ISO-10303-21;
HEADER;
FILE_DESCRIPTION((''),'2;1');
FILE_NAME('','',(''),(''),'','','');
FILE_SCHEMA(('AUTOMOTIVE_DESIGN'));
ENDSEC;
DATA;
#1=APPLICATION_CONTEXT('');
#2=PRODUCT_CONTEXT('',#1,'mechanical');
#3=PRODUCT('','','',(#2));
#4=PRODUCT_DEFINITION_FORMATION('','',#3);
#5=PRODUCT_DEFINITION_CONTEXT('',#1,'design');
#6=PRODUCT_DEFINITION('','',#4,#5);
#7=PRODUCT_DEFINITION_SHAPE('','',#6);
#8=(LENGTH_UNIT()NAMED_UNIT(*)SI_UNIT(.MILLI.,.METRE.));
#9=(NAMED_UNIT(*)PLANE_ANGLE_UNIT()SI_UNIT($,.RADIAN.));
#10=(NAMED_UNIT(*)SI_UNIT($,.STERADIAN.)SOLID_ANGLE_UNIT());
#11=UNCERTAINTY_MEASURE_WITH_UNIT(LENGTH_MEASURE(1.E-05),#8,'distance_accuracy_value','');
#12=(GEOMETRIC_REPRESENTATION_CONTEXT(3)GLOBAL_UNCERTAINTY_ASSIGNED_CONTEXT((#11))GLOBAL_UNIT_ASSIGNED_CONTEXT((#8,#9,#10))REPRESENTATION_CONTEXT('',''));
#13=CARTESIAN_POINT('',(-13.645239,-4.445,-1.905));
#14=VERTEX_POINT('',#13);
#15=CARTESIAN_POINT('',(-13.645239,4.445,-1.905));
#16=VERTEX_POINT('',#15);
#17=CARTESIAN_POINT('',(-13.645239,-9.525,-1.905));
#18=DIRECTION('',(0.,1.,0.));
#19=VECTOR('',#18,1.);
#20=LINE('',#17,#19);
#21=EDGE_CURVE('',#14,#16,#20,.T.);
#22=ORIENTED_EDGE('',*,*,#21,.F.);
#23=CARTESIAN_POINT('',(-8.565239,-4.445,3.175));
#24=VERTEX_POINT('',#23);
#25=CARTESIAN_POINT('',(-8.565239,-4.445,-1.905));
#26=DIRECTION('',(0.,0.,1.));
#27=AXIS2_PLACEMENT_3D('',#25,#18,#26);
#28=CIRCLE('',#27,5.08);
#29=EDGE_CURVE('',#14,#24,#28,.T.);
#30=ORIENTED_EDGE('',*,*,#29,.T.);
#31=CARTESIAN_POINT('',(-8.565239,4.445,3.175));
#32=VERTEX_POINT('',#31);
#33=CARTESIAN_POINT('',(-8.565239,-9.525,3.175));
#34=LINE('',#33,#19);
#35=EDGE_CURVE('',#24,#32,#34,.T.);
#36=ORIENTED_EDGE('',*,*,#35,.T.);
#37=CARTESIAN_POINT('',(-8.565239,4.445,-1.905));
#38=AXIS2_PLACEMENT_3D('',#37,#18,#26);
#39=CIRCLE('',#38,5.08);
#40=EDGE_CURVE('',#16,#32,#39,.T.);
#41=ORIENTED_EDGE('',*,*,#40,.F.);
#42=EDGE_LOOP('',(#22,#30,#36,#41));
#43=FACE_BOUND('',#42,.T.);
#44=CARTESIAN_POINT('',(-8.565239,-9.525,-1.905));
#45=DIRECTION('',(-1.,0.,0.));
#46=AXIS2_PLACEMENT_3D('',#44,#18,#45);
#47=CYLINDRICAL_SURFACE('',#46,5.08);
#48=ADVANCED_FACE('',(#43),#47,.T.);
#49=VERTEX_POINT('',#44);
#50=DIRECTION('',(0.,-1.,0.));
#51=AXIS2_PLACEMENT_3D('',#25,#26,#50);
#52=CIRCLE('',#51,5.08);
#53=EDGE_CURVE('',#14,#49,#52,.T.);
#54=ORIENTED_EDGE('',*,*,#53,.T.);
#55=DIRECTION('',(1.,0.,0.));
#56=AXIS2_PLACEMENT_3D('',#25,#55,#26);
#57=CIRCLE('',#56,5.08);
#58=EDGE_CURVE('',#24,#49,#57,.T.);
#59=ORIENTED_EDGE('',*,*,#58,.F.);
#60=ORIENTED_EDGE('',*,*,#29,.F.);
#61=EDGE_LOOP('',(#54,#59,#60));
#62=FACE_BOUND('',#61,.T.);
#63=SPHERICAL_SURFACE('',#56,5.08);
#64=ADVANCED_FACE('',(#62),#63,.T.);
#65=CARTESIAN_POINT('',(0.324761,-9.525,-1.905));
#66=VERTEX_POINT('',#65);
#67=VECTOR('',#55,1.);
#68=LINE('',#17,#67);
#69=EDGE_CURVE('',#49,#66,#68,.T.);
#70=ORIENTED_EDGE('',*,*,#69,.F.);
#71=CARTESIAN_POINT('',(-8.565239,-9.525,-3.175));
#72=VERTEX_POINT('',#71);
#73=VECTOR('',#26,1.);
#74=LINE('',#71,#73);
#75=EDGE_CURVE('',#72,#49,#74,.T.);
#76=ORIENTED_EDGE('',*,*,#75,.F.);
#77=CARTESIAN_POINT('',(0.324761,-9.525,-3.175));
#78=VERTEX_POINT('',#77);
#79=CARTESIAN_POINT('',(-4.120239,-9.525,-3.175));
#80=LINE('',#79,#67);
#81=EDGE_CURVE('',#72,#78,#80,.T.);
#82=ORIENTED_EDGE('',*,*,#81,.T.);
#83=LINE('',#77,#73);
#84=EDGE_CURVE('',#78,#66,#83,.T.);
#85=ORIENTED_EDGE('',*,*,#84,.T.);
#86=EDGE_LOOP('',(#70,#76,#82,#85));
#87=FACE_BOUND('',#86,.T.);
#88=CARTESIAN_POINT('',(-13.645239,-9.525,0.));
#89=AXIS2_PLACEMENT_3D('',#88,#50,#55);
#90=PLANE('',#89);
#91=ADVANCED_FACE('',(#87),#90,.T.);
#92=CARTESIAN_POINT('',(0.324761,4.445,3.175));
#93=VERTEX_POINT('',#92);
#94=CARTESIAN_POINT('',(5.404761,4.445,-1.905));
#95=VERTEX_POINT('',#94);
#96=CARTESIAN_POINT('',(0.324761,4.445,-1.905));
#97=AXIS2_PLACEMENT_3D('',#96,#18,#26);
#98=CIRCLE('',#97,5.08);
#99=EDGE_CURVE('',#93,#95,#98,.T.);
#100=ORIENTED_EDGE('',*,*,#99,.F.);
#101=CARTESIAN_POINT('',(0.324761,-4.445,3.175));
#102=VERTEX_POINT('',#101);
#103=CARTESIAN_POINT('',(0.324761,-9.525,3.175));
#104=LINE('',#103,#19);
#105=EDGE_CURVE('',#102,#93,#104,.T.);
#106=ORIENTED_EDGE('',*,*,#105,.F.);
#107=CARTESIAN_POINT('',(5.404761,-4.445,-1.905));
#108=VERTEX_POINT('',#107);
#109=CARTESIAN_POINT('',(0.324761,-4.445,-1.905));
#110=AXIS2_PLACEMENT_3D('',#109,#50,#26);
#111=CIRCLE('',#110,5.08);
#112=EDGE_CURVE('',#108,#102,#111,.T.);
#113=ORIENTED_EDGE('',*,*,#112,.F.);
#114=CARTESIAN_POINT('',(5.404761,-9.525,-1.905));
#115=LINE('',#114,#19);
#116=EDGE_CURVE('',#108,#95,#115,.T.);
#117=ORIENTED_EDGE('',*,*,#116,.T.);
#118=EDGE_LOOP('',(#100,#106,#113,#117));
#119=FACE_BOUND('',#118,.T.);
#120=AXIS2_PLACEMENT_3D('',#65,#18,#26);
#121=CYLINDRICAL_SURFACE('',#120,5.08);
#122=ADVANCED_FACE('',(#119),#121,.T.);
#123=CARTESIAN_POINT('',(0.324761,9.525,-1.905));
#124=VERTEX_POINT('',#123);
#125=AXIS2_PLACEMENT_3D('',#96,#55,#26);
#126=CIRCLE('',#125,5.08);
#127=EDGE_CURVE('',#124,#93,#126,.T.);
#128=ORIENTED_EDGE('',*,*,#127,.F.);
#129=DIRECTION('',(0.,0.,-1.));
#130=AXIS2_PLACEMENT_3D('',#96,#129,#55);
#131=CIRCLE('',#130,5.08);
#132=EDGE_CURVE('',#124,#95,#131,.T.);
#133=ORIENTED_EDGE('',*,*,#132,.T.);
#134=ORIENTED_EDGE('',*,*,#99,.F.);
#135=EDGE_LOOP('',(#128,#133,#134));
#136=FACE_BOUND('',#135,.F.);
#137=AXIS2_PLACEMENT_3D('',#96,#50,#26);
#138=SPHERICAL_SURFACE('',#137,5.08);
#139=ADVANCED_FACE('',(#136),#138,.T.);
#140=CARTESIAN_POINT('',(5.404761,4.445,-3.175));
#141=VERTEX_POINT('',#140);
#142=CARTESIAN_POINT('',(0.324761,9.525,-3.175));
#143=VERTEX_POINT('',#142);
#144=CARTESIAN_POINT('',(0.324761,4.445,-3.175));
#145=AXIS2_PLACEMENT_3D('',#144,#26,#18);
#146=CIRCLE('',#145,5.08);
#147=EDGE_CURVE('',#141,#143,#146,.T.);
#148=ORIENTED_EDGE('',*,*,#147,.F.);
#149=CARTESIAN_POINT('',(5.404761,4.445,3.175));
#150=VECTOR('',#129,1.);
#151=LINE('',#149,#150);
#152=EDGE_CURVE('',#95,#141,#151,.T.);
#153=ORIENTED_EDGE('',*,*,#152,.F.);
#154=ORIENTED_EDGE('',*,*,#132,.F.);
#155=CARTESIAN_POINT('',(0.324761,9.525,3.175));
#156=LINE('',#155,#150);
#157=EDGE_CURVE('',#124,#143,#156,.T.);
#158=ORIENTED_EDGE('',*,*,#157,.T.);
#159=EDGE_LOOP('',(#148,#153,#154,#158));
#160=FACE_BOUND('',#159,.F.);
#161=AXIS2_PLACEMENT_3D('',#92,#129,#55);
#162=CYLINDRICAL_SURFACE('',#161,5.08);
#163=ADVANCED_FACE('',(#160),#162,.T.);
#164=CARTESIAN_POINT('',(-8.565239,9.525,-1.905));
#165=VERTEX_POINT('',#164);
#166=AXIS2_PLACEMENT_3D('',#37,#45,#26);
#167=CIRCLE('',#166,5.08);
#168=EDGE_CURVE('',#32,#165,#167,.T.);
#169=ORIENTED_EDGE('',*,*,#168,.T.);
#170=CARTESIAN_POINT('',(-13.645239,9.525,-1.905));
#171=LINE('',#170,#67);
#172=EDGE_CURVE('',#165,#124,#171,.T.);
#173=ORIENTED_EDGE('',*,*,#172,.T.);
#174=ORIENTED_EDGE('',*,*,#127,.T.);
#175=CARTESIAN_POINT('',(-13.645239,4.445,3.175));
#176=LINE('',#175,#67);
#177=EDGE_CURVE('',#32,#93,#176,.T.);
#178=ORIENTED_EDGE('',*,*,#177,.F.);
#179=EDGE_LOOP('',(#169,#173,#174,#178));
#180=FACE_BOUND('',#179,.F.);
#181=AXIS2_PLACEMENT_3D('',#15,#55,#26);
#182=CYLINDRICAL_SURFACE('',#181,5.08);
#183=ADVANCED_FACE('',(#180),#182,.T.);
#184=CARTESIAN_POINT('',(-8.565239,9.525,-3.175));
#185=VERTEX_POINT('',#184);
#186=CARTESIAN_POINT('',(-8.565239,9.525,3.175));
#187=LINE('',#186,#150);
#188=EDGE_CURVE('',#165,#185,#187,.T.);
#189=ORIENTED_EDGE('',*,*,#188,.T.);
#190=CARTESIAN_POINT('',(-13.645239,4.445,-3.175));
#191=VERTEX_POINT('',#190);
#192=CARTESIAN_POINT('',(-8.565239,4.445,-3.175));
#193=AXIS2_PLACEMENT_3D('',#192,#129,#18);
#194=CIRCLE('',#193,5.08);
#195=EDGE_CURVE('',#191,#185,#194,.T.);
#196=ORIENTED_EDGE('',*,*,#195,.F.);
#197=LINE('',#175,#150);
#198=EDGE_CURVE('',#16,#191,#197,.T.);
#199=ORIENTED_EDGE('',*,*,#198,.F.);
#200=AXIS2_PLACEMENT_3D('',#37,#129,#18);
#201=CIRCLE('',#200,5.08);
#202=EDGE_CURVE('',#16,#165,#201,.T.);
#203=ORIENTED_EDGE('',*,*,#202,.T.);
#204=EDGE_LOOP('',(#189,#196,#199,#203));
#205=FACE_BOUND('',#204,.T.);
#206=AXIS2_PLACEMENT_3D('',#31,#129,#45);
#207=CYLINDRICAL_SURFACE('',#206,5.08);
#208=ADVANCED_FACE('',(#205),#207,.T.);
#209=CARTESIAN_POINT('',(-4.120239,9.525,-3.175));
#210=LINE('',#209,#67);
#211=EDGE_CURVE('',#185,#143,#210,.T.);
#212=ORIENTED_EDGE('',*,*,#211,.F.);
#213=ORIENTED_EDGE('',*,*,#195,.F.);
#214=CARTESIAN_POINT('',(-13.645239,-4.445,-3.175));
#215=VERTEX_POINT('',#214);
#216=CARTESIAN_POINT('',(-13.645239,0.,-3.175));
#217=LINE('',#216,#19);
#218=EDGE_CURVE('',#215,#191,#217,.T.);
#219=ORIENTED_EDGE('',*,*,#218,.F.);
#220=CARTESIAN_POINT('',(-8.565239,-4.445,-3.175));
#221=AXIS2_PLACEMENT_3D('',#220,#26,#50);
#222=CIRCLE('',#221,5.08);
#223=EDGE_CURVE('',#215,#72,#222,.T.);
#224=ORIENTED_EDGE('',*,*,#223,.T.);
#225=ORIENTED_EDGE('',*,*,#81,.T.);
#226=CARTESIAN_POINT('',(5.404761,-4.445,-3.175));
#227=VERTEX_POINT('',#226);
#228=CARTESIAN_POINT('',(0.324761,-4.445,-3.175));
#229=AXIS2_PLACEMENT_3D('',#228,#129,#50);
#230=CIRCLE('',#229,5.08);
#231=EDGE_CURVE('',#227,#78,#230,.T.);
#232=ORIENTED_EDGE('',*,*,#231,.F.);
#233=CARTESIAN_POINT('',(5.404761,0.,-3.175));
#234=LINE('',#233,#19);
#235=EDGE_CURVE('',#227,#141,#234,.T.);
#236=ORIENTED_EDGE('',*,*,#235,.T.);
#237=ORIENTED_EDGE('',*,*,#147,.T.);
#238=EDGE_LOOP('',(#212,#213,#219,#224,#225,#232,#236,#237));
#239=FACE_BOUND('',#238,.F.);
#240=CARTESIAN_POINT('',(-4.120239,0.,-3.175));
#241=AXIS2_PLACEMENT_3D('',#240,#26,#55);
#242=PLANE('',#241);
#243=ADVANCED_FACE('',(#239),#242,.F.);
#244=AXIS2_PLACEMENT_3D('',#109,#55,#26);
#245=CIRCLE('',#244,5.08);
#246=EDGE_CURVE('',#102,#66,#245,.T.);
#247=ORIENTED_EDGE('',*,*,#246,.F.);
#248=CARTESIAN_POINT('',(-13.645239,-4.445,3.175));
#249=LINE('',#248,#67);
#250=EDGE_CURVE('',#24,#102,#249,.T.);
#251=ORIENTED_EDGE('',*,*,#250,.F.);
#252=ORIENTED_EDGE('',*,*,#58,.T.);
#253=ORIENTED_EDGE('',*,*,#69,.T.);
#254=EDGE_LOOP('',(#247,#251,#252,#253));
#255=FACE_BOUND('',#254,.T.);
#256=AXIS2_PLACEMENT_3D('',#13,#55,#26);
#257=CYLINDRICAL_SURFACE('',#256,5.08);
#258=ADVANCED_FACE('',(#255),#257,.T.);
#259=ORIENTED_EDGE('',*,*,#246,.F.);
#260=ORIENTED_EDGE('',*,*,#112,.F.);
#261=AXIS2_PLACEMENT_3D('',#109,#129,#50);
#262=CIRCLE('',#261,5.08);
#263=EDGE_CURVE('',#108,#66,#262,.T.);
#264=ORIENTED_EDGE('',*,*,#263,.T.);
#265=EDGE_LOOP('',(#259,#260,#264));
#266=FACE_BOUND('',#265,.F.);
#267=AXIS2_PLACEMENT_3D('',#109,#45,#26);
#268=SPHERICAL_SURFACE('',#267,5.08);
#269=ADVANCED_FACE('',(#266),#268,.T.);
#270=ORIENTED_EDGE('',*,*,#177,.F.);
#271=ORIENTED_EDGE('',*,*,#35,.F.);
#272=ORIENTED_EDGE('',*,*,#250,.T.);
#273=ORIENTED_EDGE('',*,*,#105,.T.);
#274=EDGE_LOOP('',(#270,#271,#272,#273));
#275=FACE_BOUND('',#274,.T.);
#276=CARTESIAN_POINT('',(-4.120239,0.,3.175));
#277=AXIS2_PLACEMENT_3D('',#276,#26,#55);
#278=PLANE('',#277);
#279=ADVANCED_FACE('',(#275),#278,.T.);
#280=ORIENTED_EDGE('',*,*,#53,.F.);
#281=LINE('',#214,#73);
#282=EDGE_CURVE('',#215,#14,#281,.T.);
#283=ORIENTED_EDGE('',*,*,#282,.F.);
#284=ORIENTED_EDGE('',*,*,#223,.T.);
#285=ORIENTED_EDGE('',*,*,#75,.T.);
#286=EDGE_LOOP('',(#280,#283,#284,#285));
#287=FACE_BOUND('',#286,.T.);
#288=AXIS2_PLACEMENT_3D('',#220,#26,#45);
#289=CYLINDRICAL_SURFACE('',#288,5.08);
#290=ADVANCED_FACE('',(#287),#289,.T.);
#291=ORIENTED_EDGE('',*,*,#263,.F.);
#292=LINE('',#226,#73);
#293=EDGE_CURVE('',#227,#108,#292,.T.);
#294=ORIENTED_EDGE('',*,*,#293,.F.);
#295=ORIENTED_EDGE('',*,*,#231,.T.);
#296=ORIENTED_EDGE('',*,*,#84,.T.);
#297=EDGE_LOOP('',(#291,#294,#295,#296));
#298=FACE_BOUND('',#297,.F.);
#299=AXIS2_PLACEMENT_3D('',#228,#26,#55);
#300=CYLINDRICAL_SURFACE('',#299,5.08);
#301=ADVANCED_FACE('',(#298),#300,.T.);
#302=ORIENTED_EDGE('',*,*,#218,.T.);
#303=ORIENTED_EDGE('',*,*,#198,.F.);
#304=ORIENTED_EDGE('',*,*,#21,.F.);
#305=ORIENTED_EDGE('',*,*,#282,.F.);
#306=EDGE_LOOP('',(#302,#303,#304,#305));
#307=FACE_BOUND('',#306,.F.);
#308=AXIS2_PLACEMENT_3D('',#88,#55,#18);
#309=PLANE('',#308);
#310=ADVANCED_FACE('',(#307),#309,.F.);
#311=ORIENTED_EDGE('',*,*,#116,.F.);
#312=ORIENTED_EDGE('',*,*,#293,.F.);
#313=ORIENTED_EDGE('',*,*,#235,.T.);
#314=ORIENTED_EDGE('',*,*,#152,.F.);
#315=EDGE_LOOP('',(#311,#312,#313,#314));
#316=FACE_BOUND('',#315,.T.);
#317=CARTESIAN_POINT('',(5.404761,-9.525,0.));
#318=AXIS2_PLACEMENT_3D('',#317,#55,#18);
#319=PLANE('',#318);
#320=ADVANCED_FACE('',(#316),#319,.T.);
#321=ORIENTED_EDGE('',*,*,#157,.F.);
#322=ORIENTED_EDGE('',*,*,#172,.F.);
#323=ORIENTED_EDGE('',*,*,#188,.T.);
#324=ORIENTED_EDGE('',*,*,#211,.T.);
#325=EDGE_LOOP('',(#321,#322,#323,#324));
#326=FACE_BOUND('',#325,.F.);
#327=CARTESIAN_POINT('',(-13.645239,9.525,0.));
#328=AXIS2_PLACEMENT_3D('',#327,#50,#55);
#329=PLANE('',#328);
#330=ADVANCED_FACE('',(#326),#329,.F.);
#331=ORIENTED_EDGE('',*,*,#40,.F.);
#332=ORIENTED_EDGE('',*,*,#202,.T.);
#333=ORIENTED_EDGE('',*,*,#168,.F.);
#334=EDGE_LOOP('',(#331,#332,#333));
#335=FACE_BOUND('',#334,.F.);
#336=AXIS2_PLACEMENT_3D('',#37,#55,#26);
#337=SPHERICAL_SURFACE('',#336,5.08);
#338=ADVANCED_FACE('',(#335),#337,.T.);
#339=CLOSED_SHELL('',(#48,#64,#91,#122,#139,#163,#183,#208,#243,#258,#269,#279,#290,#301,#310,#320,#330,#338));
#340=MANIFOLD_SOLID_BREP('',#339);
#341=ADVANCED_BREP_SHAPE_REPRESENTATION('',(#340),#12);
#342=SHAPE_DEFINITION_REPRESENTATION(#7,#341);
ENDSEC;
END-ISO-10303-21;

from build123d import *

# Parameters (mm, degrees)
F0_W     = 19.05
F0_H     = 19.05
F1_DEPTH = 3.175
F2_R     = 5.08


with BuildPart() as f1:
    # F0 (on Top) → F1 (new body, symmetric)
    with BuildSketch(Plane.XY):
        with Locations((-4.120239, 0)):
            Rectangle(F0_W, F0_H)
    extrude(amount=F1_DEPTH, both=True)

    # F2
    f2_edges = [f1.edges().sort_by_distance(p)[0] for p in [
        (-4.120239, -9.525, 3.175),
        (5.404761, 0, 3.175),
        (-4.120239, 9.525, 3.175),
        (-13.645239, 0, 3.175),
        (5.404761, -9.525, 0),
        (-13.645239, -9.525, 0),
        (-13.645239, 9.525, 0),
        (5.404761, 9.525, 0),
    ]]
    fillet(f2_edges, radius=F2_R)


solid = f1.part
